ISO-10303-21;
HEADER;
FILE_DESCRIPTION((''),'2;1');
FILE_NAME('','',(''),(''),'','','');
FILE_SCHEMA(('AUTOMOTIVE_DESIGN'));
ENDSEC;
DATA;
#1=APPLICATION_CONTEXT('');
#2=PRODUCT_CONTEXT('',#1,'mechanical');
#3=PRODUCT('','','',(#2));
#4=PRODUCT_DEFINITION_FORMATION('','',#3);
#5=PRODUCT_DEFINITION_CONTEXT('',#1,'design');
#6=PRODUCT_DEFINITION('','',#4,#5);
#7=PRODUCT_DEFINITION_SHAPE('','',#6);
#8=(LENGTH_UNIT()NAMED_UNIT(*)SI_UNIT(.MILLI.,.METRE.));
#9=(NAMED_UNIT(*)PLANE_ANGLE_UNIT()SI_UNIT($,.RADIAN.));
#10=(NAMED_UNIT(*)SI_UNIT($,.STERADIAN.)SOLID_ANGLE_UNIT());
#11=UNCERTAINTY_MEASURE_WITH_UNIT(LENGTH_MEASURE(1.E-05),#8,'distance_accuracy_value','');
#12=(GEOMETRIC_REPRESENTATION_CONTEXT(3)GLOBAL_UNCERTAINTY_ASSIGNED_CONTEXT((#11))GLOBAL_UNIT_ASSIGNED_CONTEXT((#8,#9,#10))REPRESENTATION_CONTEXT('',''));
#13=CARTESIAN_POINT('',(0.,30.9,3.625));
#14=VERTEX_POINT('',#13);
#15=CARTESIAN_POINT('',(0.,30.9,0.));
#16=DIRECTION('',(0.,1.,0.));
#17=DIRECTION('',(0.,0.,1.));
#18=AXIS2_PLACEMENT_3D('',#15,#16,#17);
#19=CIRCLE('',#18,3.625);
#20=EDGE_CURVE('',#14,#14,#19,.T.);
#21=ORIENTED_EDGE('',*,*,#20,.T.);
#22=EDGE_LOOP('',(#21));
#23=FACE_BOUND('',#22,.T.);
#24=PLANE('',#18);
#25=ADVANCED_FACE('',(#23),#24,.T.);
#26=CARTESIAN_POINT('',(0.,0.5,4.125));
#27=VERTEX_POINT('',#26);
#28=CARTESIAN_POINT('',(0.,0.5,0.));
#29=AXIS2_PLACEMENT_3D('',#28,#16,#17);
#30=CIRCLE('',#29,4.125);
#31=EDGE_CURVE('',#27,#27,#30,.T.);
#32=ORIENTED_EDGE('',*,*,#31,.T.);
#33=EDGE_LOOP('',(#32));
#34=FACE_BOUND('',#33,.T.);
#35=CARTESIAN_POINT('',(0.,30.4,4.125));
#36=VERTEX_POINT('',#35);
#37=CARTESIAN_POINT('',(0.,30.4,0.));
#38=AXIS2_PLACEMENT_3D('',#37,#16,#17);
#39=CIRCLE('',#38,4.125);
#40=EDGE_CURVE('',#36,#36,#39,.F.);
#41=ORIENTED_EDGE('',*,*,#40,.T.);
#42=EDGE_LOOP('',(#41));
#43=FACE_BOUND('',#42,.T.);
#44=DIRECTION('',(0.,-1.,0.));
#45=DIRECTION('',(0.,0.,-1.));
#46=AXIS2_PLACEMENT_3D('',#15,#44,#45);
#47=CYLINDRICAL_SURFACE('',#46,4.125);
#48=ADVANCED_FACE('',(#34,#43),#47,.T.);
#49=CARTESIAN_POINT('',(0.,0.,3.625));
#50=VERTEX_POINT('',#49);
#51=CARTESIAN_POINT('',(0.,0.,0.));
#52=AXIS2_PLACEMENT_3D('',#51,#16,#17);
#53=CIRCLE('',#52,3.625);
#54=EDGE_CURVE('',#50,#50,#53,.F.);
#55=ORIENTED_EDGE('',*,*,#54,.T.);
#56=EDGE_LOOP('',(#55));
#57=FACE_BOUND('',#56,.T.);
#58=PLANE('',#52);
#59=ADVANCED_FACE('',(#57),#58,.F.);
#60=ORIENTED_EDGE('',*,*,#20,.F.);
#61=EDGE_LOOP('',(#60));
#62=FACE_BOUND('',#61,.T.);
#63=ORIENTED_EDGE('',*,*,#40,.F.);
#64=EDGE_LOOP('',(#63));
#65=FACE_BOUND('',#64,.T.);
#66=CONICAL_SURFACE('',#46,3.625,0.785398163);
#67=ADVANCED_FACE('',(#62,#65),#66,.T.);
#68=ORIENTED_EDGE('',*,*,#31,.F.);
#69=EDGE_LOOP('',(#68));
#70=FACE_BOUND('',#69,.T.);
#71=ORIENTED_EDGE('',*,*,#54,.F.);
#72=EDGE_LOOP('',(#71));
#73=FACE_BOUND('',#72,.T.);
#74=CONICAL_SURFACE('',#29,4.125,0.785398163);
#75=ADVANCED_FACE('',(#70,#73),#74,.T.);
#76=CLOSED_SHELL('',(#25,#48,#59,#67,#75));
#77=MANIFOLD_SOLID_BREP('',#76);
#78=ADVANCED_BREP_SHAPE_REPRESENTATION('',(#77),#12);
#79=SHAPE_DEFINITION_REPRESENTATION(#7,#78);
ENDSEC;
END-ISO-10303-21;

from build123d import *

# Parameters (mm, degrees)
SKETCH1_R           = 4.125
BOSS_EXTRUDE1_DEPTH = 30.9
CHAMFER1_SIZE       = 0.5


with BuildPart() as part:
    # Sketch1 → Boss-Extrude1 (new body)
    with BuildSketch(Plane(origin=(0, 0, 0), x_dir=(1, 0, 0), z_dir=(0, 1, 0))):
        Circle(SKETCH1_R)
    extrude(amount=BOSS_EXTRUDE1_DEPTH)

    # Chamfer1
    chamfer1_edges = [part.edges().sort_by_distance(p)[0] for p in [
        (-4.125, 0, 0),
        (-4.125, 30.9, 0),
    ]]
    chamfer(chamfer1_edges, length=CHAMFER1_SIZE)


solid = part.part
